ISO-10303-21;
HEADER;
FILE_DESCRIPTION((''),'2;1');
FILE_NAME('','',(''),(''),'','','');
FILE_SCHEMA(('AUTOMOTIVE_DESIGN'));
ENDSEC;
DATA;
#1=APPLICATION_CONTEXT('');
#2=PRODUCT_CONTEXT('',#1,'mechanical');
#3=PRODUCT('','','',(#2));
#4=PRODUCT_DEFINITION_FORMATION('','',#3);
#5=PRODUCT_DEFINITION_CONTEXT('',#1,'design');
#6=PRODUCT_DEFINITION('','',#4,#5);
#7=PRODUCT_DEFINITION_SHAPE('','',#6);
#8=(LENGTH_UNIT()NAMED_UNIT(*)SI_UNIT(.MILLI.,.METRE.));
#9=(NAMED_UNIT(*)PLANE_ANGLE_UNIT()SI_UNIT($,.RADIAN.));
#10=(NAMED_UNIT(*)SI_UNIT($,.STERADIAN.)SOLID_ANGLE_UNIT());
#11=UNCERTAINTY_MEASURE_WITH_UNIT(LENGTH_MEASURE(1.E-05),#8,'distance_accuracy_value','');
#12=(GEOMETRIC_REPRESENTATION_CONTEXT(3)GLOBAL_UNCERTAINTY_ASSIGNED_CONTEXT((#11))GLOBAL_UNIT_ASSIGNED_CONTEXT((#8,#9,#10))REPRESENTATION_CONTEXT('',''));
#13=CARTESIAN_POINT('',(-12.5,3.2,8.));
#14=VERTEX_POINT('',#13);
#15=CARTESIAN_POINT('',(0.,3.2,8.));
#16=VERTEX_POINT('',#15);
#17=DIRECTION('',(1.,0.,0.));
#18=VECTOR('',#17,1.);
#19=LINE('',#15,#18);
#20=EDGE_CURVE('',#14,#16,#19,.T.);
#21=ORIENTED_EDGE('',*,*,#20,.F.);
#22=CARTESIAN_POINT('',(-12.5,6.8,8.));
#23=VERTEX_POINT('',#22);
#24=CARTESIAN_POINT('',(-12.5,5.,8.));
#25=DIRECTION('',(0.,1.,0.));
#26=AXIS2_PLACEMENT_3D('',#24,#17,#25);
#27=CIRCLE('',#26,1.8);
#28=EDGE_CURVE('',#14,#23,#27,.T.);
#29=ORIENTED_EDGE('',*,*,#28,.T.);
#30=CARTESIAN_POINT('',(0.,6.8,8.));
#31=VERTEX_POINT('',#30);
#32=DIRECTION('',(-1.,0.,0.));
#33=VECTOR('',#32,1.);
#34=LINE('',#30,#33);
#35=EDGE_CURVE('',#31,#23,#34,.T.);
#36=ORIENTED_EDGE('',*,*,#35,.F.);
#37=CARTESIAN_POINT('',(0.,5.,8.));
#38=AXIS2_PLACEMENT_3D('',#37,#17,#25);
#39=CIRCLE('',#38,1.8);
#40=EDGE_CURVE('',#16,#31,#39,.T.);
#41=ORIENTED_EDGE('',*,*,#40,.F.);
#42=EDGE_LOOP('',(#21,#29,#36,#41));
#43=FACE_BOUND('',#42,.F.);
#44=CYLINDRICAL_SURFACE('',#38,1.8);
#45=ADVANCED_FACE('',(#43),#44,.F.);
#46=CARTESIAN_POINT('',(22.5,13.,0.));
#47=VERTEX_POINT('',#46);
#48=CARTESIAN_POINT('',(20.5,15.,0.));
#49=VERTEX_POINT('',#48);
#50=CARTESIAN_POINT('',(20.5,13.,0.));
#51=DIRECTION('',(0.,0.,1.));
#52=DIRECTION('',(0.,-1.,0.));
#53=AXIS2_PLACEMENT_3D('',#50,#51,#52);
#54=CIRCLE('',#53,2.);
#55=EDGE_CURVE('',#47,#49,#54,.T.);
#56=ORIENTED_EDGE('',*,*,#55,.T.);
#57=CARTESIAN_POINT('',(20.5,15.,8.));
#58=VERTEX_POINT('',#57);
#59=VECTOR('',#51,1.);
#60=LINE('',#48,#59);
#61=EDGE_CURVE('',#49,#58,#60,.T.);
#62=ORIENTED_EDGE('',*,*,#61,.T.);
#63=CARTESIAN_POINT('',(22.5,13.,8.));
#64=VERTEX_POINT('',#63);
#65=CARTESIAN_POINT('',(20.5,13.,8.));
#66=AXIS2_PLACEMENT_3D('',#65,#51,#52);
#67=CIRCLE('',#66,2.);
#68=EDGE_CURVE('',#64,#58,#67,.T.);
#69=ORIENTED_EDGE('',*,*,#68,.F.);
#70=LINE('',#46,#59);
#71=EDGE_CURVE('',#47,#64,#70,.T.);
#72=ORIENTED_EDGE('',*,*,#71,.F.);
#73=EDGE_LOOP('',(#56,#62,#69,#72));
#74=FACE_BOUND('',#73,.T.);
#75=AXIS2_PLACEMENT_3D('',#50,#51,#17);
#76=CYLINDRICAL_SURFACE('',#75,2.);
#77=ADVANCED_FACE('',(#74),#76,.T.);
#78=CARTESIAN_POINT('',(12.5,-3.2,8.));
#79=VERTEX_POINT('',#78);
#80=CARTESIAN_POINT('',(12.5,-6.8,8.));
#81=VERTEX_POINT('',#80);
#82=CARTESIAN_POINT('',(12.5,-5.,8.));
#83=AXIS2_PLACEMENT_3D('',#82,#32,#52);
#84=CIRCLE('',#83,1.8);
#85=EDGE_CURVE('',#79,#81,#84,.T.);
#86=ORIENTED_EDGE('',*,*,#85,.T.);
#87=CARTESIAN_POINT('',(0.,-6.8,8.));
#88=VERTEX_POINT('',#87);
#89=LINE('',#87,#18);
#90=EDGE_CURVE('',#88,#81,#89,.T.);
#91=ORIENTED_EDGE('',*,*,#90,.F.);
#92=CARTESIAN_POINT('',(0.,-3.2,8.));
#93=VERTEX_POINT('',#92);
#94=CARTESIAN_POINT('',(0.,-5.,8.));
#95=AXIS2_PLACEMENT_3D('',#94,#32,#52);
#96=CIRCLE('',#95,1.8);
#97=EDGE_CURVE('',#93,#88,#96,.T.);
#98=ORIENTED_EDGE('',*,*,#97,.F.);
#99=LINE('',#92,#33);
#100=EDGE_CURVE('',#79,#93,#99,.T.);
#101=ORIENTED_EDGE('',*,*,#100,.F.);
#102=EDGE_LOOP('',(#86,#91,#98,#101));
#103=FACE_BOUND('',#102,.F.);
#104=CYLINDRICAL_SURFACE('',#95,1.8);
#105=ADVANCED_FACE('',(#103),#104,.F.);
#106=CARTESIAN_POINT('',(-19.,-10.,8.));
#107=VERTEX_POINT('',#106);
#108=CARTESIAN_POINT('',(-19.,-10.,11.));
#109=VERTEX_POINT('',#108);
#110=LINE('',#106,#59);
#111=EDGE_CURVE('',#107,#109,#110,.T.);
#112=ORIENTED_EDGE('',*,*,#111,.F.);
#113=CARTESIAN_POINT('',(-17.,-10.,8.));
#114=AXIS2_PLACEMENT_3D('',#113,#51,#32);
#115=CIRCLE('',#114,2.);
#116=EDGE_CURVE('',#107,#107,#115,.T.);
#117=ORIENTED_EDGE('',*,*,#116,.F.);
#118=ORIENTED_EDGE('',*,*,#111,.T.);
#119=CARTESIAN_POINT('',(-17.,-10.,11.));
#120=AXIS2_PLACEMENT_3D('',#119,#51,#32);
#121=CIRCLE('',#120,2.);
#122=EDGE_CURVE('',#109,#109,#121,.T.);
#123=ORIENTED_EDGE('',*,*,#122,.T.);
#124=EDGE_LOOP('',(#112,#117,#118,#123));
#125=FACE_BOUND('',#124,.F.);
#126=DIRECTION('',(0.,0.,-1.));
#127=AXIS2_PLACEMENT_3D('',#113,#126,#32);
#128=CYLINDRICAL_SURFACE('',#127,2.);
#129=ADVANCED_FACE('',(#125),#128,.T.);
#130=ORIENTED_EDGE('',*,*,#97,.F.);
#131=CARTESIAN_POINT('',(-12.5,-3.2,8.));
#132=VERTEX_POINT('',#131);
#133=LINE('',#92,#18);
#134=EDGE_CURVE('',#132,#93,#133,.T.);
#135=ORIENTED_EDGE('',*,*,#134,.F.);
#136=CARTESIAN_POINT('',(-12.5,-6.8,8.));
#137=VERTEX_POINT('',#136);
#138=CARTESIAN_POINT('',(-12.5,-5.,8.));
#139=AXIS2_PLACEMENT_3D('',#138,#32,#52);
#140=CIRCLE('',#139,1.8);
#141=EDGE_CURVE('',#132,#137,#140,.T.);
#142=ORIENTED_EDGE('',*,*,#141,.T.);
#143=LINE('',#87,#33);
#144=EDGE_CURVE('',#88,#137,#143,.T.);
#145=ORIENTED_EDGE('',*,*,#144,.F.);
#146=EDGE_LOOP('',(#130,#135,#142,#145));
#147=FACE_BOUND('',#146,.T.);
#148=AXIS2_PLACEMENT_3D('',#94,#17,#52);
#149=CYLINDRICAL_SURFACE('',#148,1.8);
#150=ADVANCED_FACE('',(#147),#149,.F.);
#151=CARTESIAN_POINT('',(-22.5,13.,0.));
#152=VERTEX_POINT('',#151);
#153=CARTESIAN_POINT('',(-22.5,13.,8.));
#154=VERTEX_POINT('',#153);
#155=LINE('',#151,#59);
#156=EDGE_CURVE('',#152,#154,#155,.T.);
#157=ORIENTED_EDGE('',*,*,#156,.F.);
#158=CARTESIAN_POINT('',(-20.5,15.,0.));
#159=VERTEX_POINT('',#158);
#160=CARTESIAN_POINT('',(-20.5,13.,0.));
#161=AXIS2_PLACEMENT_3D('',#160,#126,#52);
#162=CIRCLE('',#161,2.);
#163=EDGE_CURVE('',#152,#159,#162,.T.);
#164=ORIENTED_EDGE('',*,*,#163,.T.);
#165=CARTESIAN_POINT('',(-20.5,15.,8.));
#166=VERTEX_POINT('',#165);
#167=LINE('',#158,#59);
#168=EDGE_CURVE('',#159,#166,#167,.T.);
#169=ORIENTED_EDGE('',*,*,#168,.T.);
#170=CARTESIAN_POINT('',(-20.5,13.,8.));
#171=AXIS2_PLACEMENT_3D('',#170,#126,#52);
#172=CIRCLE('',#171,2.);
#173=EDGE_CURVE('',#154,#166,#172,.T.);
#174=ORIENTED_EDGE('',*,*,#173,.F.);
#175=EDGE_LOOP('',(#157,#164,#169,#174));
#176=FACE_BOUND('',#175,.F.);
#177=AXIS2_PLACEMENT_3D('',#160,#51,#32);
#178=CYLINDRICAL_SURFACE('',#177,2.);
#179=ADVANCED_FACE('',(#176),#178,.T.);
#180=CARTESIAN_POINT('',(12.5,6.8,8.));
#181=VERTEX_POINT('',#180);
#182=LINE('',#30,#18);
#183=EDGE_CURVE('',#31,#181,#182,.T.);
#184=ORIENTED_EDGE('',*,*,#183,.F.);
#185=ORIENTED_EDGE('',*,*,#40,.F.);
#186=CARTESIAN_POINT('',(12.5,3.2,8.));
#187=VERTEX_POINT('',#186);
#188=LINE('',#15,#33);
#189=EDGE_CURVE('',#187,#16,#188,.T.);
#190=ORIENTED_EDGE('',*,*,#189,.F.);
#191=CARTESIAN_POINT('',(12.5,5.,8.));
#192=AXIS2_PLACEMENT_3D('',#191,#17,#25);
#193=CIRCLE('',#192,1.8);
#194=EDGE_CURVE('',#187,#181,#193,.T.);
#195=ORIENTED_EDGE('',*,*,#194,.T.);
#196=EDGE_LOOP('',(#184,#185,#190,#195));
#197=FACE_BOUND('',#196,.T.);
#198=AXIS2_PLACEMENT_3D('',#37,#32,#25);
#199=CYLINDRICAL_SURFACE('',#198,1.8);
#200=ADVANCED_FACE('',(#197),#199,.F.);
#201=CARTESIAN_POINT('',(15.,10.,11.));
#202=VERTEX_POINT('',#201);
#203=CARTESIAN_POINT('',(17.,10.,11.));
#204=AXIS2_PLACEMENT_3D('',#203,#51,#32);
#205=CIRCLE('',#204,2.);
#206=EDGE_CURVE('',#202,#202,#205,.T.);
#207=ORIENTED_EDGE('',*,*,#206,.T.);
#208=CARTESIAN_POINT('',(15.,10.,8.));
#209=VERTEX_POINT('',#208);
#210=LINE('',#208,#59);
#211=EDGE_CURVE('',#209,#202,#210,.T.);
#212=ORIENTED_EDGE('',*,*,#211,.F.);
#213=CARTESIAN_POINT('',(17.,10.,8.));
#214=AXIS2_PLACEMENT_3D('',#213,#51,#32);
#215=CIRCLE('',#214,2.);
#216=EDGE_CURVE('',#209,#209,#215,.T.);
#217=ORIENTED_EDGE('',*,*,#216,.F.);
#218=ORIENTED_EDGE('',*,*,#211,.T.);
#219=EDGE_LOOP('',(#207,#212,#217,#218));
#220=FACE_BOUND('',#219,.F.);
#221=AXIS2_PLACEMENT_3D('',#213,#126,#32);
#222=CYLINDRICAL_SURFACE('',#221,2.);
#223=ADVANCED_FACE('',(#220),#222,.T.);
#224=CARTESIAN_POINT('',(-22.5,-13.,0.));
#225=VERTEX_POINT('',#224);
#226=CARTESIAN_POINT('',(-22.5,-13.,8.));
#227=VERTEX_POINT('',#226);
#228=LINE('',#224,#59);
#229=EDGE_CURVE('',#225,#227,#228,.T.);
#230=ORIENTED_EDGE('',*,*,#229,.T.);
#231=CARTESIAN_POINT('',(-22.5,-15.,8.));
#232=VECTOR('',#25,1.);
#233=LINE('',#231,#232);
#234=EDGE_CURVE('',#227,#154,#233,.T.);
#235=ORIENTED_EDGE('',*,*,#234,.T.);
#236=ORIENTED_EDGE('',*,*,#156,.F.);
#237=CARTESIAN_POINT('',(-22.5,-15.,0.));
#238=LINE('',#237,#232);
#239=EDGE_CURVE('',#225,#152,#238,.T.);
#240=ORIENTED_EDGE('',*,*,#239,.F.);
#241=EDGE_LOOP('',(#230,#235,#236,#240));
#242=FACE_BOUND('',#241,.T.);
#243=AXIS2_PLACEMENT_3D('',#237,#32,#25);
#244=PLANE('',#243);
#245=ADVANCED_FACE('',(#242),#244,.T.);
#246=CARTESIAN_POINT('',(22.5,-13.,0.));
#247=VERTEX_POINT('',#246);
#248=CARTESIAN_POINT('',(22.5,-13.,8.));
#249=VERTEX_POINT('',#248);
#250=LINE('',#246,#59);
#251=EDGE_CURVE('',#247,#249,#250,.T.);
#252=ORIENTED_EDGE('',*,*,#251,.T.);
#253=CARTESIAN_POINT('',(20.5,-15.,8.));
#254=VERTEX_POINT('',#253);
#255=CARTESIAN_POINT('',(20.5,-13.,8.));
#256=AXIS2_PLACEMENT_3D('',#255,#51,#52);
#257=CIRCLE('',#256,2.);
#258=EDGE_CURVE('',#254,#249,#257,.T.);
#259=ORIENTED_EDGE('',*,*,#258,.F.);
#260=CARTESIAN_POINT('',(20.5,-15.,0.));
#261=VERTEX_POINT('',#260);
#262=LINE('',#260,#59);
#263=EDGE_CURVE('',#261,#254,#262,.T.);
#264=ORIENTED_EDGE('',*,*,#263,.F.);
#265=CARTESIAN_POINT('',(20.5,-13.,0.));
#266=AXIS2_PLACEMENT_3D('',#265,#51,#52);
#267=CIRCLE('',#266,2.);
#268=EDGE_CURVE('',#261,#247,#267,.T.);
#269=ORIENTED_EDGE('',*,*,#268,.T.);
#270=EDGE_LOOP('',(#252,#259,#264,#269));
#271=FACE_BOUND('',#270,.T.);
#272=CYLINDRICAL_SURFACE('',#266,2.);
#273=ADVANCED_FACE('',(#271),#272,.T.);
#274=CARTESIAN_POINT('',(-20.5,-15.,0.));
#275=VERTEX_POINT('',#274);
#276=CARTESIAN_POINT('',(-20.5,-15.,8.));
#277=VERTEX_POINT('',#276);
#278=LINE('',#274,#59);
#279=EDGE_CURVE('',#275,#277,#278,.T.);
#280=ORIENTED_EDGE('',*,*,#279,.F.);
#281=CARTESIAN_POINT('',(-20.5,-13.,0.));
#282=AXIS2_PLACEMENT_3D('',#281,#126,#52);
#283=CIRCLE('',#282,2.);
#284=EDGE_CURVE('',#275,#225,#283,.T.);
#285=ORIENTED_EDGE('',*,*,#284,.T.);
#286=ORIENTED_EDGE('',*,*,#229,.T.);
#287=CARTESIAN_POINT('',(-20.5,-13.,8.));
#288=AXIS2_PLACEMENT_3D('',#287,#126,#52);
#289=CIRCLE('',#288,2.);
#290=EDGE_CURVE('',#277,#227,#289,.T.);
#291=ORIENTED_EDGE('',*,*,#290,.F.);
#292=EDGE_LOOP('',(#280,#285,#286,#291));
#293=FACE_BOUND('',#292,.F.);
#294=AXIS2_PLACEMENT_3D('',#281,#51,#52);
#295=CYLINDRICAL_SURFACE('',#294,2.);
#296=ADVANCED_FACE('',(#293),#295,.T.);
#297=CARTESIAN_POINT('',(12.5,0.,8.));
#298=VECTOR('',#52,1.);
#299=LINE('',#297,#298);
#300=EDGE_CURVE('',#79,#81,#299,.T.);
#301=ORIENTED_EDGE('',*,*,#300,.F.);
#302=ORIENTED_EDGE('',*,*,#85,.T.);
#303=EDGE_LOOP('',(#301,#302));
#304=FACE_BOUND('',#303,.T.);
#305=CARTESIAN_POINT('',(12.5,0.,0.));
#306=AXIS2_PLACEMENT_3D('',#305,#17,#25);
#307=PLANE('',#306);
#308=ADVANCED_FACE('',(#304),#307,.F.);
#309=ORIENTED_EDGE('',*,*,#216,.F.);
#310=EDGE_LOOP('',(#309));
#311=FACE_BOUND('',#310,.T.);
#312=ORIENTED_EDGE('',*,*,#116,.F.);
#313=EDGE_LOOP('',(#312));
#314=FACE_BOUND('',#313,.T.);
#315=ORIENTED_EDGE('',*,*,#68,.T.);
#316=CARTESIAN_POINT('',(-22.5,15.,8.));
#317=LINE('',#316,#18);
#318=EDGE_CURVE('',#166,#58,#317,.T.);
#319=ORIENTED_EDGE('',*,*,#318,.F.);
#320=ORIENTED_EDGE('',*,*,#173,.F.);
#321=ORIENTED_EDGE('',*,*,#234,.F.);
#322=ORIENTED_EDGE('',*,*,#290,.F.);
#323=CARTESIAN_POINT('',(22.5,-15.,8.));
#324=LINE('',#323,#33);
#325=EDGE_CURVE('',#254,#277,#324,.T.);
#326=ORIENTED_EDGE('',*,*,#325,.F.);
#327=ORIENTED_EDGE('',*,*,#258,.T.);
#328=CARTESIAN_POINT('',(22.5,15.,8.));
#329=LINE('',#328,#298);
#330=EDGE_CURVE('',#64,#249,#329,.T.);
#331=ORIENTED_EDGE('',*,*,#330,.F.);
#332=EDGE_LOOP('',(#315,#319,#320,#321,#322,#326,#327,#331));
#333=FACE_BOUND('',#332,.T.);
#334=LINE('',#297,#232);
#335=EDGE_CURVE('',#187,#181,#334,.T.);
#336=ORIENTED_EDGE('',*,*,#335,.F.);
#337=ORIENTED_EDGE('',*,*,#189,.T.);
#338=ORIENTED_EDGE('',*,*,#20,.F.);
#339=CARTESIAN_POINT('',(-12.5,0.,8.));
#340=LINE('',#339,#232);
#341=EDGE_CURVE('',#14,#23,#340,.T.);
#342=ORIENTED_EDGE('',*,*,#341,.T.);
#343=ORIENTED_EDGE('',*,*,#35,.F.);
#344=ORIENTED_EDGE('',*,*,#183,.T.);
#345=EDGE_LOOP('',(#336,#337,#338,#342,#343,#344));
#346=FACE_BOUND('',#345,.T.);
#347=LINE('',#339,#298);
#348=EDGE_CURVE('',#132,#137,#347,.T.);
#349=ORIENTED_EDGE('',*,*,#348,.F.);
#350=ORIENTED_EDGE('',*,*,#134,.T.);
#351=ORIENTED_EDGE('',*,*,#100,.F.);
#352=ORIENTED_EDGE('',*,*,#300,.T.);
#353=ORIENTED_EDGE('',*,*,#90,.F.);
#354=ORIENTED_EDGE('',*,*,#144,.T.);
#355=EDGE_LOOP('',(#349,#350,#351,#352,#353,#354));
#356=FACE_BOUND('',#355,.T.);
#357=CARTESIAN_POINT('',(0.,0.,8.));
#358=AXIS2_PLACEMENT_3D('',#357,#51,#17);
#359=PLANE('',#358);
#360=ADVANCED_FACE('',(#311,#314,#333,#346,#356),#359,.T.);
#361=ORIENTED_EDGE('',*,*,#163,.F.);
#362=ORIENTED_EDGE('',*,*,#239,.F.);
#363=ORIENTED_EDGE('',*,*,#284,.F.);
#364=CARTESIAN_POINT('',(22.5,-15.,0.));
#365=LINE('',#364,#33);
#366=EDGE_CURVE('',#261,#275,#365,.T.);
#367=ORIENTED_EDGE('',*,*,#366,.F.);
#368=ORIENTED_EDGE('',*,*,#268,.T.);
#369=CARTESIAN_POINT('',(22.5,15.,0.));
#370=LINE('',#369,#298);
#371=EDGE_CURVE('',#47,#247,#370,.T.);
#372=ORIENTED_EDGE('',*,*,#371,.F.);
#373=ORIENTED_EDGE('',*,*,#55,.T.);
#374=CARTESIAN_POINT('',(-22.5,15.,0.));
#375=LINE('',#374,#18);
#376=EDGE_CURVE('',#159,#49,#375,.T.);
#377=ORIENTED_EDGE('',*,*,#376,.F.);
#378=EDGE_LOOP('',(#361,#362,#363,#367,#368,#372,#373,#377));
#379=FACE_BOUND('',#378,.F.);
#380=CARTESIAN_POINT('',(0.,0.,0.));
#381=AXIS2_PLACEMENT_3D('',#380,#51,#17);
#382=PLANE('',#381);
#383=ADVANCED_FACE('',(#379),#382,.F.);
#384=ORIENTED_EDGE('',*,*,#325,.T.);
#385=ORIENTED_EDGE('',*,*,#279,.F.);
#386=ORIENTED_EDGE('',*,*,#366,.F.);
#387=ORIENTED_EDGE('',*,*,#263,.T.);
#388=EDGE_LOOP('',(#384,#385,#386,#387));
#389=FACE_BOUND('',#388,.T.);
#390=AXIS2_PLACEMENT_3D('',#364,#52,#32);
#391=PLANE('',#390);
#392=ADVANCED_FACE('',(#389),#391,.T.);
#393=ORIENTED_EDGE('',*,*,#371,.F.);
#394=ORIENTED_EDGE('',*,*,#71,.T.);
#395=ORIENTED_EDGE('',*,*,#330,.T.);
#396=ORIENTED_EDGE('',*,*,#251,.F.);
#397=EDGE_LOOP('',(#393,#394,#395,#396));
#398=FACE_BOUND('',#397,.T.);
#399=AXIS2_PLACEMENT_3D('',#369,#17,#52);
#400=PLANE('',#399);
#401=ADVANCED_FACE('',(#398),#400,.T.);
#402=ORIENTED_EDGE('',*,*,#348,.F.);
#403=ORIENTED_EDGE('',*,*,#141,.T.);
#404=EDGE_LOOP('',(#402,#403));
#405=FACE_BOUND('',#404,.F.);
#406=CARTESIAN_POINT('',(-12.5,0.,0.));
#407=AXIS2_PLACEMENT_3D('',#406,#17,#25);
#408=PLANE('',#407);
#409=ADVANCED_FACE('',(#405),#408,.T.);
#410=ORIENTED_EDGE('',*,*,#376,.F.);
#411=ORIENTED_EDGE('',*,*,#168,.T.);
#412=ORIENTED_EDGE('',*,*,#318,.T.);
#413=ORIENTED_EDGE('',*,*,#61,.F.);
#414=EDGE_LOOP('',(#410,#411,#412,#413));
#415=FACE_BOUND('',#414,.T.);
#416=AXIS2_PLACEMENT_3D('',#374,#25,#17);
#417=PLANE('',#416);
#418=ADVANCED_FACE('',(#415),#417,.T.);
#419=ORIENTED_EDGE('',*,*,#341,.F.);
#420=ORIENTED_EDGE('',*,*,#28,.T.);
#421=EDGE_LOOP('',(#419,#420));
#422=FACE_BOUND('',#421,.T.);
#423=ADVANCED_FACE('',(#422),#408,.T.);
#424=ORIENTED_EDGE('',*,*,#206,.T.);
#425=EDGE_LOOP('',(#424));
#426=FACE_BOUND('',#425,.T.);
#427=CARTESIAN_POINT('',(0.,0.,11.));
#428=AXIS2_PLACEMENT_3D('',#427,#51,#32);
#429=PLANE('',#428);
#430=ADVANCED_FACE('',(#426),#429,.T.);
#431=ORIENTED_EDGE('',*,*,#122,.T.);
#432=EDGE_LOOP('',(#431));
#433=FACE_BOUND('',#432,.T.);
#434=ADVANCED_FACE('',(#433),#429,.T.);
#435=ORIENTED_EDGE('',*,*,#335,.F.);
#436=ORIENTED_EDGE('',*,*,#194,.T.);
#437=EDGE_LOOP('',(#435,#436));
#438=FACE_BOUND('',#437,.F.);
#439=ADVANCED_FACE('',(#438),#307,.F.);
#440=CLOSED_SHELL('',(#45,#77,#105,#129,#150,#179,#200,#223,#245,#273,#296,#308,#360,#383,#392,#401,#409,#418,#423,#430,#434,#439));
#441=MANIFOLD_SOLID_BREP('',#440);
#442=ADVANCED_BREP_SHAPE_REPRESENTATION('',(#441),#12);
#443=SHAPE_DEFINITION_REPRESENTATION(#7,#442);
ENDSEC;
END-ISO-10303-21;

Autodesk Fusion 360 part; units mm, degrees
sketch "草图1" plane through (0, 0, 0) normal (0, 0, 1) x (1, 0, 0)
  line L0 (22.5, -15) -> (-22.5, -15)
  line L1 (-22.5, -15) -> (-22.5, 15)
  line L2 (-22.5, 15) -> (22.5, 15)
  line L3 (22.5, 15) -> (22.5, -15)
  line L4 (22.5, -15) -> (-22.5, 15) construction
  line L5 (-22.5, -15) -> (22.5, 15) construction
  dimension "d27" = 45
  dimension "d28" = 30
extrude "拉伸1" add sketch "草图1" along normal blind 8
sketch "草图2" plane through (0, 0, 0) normal (1, 0, 0) x (0, 1, 0)
  circle A0 centre (5, 8) radius 1.8
  dimension "d31" = 3.6
extrude "拉伸2" cut sketch "草图2" along normal blind 12.5 and the other way blind 12.5
mirror "镜像1" about plane through (0, 0, 0) normal (0, 1, 0) of "拉伸2"
sketch "草图3" plane through (0, 0, 8) normal (0, 0, 1) x (-1, 0, 0)
  line L0 (12.5, 6.8) -> (12.5, 3.2)
  line L1 (12.5, 3.2) -> (-12.5, 3.2)
  line L2 (-12.5, 3.2) -> (-12.5, 6.8)
  line L3 (-12.5, 6.8) -> (12.5, 6.8)
  line L4 (12.5, -3.2) -> (12.5, -6.8)
  line L5 (12.5, -6.8) -> (-12.5, -6.8)
  line L6 (-12.5, -6.8) -> (-12.5, -3.2)
  line L7 (-12.5, -3.2) -> (12.5, -3.2)
  line L8 (-22.5, -15) -> (22.5, -15)
  line L9 (22.5, -15) -> (22.5, 15)
  line L10 (22.5, 15) -> (-22.5, 15)
  line L11 (-22.5, 15) -> (-22.5, -15)
  circle A0 centre (17, 10) radius 2
  circle A1 centre (-17, -10) radius 2
  dimension "d38" = 4
  dimension "d39" = 4
extrude "拉伸3" add sketch "草图3" along normal blind 3 contours A0 | A1
fillet "圆角1" radius 2 4 edges at (-22.5, -15, 4) (-22.5, 15, 4) (22.5, 15, 4) (22.5, -15, 4)
equation "Catheter_Diameter = 2.4 mm" comment "Flexible spring catheter outer diameter"
equation "Catheter_Assembly_Clearance = 0.2 mm" comment "Initial diametral assembly clearance between catheter and Ecoflex liner"
equation "Clamp_Groove_Diameter = 3.6 mm" comment "Hard clamp circular groove diameter"
equation "Pad_Outer_Diameter = Clamp_Groove_Diameter" comment "Ecoflex liner outer diameter driven by clamp groove"
equation "Pad_Outer_Radius = Pad_Outer_Diameter / 2" comment "Ecoflex liner outer radius"
equation "Pad_Inner_Diameter = Catheter_Diameter + Catheter_Assembly_Clearance" comment "Ecoflex liner inner diameter"
equation "Pad_Inner_Radius = Pad_Inner_Diameter / 2" comment "Ecoflex liner inner radius"
equation "Pad_Radial_Thickness = ( Pad_Outer_Diameter - Pad_Inner_Diameter ) / 2" comment "Nominal radial thickness of Ecoflex liner"
equation "Pad_Length = 25 mm" comment "Effective Ecoflex liner length"
equation "Mold_Length = 45 mm" comment "Overall mold length along X"
equation "Mold_Width = 30 mm" comment "Overall mold width along Y"
equation "Bottom_Mold_Thickness = 8 mm" comment "Bottom mold plate thickness"
equation "Top_Mold_Thickness = 6 mm" comment "Top mold plate thickness"
equation "Top_Mold_Base_Z = Bottom_Mold_Thickness" comment "Assembly Z height of top mold bottom parting face"
equation "Pad_Cavity_Offset_Y = 5 mm" comment "Centerline offset of the two cavities from mold center"
equation "Alignment_Pin_Diameter = 4 mm" comment "Printed alignment pin diameter on bottom mold"
equation "Alignment_Pin_Height = 3 mm" comment "Alignment pin height"
equation "Alignment_Hole_Diameter = 4.4 mm" comment "Alignment blind-hole diameter on top mold"
equation "Alignment_Hole_Depth = 3.4 mm" comment "Alignment blind-hole depth"
equation "Alignment_Pin_Offset_X = 17 mm" comment "Absolute X coordinate magnitude of alignment pins"
equation "Alignment_Pin_Offset_Y = 10 mm" comment "Absolute Y coordinate magnitude of alignment pins"
equation "Overflow_Channel_Width = 1 mm" comment "Optional V1 overflow-channel width; retained but not used in recommended V1"
equation "Overflow_Channel_Depth = 0.4 mm" comment "Optional V1 overflow-channel depth; retained but not used in recommended V1"
equation "Overflow_Well_Diameter = 6 mm" comment "Optional overflow-well diameter; retained but not used in recommended V1"
equation "Overflow_Well_Depth = 1 mm" comment "Optional overflow-well depth; retained but not used in recommended V1"
equation "Mold_Outer_Fillet = 2 mm" comment "External handling-edge fillet radius"
equation "d27 = Mold_Length"
equation "d28 = Mold_Width"
equation "d29 = Bottom_Mold_Thickness"
equation "d31 = Pad_Outer_Diameter"
equation "d32 = Pad_Length / 2"
equation "d34 = Pad_Length / 2"
equation "d38 = Alignment_Pin_Diameter"
equation "d43 = Mold_Outer_Fillet"
